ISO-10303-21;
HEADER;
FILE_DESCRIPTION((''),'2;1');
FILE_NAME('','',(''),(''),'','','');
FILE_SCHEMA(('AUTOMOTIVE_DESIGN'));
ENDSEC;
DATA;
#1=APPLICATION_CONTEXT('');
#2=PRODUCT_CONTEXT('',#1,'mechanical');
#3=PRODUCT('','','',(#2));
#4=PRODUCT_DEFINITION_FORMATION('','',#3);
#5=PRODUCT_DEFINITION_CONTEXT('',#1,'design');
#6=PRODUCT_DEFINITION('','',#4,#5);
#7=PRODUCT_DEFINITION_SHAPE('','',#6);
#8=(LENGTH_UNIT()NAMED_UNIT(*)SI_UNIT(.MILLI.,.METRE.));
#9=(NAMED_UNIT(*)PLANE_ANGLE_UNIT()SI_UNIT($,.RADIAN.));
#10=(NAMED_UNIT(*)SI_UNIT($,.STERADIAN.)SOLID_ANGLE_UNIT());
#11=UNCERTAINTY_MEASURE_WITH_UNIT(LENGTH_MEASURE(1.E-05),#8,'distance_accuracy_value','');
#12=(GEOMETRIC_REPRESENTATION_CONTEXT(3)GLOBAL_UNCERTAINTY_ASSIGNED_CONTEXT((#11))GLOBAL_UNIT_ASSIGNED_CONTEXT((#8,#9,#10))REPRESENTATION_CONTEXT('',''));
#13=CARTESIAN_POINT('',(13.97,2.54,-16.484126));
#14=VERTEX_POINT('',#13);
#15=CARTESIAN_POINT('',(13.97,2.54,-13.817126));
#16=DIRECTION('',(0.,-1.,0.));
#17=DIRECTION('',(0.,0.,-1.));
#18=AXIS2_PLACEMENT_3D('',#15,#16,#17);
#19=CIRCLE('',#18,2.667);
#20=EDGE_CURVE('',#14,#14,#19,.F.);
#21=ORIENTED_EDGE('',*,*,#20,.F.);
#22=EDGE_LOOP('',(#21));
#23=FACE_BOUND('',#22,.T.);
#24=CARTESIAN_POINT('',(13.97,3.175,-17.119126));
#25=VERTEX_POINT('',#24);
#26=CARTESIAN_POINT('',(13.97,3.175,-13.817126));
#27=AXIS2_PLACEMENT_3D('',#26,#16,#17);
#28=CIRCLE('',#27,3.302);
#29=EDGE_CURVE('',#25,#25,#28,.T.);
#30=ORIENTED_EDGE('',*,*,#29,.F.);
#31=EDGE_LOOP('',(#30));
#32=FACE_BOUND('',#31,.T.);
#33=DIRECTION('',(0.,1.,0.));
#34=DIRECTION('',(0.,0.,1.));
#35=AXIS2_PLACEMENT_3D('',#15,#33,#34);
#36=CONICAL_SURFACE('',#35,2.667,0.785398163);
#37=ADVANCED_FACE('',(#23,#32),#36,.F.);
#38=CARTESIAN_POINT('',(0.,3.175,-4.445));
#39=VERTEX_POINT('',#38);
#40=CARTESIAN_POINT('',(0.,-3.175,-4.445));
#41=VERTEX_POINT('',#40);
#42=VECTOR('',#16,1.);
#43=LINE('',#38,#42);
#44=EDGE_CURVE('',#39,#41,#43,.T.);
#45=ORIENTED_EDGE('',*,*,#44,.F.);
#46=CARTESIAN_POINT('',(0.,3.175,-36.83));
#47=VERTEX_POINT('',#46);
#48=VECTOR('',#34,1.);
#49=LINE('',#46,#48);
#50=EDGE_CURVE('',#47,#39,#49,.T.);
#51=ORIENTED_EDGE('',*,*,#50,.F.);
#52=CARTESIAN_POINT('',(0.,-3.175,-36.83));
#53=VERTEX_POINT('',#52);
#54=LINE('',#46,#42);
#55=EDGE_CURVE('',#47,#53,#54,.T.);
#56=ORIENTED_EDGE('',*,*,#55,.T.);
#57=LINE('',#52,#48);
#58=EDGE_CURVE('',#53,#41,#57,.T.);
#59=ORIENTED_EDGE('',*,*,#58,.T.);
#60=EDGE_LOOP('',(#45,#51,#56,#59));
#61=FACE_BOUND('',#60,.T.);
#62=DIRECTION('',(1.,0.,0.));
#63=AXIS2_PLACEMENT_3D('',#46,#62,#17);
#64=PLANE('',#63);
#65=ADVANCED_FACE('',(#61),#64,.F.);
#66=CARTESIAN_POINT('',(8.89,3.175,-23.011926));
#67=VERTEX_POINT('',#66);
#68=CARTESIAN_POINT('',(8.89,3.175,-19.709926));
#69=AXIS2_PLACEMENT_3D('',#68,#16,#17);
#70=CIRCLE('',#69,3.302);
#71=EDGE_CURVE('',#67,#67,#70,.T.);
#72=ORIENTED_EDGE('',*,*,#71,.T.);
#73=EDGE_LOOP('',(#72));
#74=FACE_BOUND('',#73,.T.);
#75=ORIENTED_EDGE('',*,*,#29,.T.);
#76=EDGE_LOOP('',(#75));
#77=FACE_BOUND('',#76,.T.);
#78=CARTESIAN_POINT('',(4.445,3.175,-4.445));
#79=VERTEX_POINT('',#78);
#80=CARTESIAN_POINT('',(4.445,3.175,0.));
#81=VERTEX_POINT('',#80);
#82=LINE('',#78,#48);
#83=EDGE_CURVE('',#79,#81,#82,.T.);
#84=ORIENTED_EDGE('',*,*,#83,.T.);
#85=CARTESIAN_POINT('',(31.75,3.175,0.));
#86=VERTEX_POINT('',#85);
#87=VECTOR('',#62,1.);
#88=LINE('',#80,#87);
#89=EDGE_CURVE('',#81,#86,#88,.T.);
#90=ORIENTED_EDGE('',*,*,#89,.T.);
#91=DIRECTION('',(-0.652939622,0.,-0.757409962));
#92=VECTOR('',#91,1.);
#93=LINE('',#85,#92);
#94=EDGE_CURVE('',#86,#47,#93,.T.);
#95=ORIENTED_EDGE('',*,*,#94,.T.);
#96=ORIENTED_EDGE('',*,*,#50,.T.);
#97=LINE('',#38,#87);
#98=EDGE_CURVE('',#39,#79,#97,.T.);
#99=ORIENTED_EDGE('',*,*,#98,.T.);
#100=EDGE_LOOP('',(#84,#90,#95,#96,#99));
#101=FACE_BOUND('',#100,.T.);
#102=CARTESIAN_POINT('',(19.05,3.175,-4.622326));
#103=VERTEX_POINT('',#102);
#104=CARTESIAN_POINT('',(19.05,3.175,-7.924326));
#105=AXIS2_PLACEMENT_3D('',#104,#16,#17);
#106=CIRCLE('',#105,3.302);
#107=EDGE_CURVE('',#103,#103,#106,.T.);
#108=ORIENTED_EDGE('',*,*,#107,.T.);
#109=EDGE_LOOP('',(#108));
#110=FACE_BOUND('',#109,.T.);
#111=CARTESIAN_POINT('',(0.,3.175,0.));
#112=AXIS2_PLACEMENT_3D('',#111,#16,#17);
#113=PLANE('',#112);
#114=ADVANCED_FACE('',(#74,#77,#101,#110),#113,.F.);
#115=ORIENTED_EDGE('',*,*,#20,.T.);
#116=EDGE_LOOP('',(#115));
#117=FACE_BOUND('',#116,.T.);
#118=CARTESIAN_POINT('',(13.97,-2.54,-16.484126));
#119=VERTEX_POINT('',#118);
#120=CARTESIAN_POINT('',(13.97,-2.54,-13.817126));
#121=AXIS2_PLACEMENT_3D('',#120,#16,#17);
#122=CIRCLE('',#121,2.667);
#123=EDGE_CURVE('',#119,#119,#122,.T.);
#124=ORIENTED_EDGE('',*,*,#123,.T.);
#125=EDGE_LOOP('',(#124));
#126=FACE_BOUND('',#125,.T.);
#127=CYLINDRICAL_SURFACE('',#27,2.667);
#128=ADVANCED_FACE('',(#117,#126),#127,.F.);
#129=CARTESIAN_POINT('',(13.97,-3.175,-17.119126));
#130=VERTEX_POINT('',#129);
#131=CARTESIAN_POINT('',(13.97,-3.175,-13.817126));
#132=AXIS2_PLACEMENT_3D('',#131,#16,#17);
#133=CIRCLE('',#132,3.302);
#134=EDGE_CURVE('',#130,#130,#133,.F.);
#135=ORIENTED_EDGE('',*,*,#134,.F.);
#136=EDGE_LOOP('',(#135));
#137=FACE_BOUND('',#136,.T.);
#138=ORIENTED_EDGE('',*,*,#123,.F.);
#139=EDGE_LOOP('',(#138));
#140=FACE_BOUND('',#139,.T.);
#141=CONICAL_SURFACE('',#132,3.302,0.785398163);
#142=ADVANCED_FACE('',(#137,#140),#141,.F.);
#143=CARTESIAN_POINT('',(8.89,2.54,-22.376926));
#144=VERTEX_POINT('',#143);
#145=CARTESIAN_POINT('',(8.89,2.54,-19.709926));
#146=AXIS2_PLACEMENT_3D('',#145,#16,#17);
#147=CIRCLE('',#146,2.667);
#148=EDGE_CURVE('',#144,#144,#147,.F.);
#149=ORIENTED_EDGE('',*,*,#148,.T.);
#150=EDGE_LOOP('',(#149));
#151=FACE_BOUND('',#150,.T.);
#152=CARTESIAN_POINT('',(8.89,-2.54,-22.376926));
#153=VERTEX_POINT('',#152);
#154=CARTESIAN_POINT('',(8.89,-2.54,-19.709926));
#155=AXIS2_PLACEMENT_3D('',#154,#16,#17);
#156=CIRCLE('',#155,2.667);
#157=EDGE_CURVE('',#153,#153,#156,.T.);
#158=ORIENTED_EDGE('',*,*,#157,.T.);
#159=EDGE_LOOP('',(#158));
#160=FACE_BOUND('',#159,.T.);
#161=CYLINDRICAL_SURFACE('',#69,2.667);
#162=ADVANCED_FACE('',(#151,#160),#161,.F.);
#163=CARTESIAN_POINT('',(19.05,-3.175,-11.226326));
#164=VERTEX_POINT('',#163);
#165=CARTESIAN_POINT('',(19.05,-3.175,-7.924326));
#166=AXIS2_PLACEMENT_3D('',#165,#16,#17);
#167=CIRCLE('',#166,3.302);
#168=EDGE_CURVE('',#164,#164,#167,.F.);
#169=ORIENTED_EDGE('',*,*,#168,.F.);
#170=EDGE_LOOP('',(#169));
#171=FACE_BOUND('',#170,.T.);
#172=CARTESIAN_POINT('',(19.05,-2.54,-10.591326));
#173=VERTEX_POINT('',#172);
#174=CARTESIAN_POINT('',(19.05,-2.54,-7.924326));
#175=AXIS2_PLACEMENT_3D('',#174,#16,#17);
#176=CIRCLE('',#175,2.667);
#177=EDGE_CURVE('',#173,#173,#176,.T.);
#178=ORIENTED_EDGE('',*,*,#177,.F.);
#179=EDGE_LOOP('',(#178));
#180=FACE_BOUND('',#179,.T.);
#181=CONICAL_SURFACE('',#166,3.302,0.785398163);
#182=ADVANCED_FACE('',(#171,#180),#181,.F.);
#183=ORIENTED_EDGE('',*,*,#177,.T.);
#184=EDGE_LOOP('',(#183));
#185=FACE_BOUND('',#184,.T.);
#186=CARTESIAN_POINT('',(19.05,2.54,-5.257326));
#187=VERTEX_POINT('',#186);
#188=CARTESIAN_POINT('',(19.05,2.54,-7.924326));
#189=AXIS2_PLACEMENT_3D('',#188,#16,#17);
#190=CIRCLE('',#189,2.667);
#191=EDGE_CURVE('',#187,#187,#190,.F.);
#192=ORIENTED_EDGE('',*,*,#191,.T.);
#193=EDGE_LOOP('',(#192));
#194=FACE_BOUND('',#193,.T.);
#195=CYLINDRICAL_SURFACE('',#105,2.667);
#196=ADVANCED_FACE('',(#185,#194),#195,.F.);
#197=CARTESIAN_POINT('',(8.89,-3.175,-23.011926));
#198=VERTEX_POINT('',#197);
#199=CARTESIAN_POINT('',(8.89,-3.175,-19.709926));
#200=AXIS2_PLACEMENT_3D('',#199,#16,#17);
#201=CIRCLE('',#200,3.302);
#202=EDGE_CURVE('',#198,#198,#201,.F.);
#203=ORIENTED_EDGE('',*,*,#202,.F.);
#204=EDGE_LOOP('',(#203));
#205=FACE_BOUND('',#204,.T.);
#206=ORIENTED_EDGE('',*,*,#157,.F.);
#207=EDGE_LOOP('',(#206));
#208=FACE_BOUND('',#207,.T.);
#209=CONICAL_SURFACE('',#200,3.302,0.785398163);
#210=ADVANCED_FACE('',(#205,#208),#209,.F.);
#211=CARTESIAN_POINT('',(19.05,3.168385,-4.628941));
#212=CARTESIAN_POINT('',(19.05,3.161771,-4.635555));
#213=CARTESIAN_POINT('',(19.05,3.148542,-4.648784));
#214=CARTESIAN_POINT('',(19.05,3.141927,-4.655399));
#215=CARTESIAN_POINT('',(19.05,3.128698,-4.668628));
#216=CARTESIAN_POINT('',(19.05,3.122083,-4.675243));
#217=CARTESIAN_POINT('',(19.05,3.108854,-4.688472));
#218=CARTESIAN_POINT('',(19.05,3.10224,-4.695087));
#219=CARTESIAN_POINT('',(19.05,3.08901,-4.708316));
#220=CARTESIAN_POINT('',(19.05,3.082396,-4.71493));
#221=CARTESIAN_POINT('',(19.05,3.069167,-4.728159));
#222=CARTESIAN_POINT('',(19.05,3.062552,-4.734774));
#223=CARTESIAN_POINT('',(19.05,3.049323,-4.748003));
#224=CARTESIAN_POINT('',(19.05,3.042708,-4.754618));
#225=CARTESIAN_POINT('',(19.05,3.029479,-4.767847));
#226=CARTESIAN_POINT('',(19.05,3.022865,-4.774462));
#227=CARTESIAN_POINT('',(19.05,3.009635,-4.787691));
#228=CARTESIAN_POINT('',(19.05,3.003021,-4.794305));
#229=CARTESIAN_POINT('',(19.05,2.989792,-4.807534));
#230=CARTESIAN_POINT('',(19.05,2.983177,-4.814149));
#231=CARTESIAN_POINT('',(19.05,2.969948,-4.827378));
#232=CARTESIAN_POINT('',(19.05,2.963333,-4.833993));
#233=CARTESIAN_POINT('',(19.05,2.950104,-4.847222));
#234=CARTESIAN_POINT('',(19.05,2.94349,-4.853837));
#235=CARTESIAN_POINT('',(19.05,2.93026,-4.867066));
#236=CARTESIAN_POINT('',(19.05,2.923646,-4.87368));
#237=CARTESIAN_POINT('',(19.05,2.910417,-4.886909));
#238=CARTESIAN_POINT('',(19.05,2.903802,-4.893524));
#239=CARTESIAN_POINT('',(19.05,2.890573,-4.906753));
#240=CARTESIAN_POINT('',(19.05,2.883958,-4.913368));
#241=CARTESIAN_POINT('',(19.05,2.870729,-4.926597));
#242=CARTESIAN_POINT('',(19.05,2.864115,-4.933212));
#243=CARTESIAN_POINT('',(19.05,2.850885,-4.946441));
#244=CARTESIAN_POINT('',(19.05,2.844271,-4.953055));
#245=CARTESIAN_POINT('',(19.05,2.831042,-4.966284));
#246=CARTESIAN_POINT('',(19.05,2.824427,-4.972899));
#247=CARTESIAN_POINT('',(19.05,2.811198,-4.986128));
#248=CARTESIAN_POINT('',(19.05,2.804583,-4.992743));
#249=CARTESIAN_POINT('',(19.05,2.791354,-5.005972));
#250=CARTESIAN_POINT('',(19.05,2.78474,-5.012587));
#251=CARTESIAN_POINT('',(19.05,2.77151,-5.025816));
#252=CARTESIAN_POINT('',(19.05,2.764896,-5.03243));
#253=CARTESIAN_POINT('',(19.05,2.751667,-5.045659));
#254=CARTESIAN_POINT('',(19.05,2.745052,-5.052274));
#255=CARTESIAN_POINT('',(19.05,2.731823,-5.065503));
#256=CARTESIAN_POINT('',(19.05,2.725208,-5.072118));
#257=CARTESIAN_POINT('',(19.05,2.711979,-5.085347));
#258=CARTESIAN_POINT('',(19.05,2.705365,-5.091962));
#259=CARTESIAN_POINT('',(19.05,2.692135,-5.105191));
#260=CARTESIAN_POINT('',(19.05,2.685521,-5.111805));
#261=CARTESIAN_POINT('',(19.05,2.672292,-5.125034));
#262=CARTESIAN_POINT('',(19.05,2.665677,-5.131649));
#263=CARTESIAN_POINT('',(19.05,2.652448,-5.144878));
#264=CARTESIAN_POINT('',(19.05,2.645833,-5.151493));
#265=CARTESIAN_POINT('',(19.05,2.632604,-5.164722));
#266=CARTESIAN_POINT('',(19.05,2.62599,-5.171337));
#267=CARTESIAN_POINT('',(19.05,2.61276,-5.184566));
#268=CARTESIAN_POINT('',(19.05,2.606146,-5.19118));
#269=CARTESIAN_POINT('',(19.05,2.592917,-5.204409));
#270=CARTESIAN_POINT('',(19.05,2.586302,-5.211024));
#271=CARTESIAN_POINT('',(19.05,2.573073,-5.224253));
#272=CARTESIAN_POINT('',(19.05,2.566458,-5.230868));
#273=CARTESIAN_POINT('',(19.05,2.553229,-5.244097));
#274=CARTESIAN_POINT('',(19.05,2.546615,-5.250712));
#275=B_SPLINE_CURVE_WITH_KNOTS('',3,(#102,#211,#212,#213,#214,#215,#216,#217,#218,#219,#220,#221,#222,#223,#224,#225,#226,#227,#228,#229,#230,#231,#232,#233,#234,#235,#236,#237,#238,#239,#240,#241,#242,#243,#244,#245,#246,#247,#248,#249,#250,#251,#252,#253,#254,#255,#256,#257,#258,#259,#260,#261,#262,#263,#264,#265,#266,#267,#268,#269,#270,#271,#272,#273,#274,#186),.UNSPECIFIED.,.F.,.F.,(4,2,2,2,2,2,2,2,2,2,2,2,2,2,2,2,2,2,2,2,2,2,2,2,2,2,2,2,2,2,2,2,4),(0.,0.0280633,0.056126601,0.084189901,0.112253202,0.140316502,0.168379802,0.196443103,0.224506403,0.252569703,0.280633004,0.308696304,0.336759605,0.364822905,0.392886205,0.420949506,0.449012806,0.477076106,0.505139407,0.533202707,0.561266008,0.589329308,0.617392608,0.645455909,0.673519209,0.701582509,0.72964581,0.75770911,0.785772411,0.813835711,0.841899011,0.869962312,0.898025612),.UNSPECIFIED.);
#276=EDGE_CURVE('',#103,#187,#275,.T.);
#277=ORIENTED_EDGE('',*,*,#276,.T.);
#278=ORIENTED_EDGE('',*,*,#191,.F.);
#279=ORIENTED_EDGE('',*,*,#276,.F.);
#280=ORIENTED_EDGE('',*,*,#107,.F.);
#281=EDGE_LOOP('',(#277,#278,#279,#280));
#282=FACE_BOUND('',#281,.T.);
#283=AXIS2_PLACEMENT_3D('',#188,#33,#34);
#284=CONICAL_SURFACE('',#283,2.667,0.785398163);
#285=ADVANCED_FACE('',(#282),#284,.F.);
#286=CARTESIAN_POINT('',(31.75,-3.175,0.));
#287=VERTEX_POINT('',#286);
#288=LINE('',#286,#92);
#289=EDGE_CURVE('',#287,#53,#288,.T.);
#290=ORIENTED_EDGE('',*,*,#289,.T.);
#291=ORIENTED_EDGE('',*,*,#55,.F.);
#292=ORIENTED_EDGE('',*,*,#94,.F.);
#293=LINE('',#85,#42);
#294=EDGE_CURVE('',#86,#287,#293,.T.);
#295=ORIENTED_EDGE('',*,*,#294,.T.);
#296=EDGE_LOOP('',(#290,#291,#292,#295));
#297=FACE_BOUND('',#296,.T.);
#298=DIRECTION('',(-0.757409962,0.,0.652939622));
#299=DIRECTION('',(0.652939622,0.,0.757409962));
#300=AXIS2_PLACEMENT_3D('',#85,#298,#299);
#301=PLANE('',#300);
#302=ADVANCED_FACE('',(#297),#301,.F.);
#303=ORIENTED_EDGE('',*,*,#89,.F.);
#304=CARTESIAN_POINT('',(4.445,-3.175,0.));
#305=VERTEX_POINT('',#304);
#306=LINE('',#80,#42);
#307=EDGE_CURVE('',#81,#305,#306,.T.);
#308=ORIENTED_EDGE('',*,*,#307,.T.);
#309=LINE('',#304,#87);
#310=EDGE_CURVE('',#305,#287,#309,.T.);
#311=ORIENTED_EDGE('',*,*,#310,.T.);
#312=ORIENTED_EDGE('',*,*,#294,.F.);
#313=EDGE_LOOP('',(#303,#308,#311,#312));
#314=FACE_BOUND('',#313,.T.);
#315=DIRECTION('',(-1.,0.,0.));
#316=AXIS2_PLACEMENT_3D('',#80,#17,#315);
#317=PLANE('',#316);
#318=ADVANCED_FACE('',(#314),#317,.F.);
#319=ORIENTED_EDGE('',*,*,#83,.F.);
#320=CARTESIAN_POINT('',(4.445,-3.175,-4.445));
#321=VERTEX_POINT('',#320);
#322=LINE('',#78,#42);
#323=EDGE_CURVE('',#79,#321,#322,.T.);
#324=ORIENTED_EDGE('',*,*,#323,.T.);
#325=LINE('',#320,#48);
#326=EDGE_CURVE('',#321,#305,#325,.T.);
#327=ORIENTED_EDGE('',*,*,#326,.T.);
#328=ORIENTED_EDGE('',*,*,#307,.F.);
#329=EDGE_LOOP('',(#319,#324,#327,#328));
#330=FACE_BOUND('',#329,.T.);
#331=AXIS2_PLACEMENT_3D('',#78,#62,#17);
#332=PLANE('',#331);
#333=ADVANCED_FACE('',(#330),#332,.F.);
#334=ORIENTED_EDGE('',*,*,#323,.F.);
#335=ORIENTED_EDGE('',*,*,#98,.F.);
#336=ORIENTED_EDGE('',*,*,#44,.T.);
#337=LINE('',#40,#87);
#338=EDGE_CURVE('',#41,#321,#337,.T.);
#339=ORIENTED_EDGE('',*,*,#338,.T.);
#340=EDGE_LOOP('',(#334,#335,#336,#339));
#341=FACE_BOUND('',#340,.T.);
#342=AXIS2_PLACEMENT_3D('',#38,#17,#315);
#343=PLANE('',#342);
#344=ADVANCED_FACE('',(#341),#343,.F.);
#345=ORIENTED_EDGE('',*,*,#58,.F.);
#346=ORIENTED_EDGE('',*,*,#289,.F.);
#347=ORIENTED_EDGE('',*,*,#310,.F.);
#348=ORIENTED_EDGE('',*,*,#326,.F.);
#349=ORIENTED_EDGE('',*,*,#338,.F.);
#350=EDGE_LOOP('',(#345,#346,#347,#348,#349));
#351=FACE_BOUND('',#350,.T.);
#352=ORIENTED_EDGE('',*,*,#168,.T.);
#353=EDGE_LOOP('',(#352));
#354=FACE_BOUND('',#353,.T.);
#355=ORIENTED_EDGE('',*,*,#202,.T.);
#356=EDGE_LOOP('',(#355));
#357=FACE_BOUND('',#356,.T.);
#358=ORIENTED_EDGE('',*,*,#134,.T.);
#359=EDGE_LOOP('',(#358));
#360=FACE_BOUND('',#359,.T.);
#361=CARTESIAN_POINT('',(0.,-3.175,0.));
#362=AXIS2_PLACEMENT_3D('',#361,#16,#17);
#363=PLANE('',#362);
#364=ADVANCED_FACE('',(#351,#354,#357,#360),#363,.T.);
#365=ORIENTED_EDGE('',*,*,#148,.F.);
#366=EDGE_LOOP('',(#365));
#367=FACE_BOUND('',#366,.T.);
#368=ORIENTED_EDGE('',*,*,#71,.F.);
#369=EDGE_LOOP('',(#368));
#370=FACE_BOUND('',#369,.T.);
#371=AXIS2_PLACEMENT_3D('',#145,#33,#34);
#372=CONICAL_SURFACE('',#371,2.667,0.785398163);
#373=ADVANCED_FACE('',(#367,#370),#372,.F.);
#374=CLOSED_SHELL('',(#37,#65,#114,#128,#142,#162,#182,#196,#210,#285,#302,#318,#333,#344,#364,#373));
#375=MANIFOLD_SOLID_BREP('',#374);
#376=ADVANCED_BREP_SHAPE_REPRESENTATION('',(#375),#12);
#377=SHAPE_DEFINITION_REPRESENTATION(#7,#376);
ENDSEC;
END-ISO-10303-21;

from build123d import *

# Parameters (mm, degrees)
SKETCH1_R           = 2.667
BOSS_EXTRUDE1_DEPTH = 3.175
CHAMFER1_SIZE       = 0.635


with BuildPart() as part:
    # Sketch1 → Boss-Extrude1 (new, symmetric)
    with BuildSketch(Plane(origin=(0, 0, 0), x_dir=(1, 0, 0), z_dir=(0, 1, 0))):
        Polygon((0, 36.83), (0, 4.445), (4.445, 4.445), (4.445, 0), (31.75, 0), align=None)
        with Locations(Location((8.89, 19.709926136, 0), (0, 0, 270))):
            Circle(SKETCH1_R, mode=Mode.SUBTRACT)
        with Locations(Location((13.97, 13.817126136, 0), (0, 0, 270))):
            Circle(SKETCH1_R, mode=Mode.SUBTRACT)
        with Locations(Location((19.05, 7.924326136, 0), (0, 0, 270))):
            Circle(SKETCH1_R, mode=Mode.SUBTRACT)
    extrude(amount=BOSS_EXTRUDE1_DEPTH, both=True)

    # Chamfer1
    chamfer1_edges = [part.edges().sort_by_distance(p)[0] for p in [
        (8.89, -3.175, -22.376926136),
        (8.89, 3.175, -22.376926136),
        (13.97, -3.175, -16.484126136),
        (13.97, 3.175, -16.484126136),
        (19.05, -3.175, -10.591326136),
        (19.05, 3.175, -10.591326136),
    ]]
    chamfer(chamfer1_edges, length=CHAMFER1_SIZE)


solid = part.part
